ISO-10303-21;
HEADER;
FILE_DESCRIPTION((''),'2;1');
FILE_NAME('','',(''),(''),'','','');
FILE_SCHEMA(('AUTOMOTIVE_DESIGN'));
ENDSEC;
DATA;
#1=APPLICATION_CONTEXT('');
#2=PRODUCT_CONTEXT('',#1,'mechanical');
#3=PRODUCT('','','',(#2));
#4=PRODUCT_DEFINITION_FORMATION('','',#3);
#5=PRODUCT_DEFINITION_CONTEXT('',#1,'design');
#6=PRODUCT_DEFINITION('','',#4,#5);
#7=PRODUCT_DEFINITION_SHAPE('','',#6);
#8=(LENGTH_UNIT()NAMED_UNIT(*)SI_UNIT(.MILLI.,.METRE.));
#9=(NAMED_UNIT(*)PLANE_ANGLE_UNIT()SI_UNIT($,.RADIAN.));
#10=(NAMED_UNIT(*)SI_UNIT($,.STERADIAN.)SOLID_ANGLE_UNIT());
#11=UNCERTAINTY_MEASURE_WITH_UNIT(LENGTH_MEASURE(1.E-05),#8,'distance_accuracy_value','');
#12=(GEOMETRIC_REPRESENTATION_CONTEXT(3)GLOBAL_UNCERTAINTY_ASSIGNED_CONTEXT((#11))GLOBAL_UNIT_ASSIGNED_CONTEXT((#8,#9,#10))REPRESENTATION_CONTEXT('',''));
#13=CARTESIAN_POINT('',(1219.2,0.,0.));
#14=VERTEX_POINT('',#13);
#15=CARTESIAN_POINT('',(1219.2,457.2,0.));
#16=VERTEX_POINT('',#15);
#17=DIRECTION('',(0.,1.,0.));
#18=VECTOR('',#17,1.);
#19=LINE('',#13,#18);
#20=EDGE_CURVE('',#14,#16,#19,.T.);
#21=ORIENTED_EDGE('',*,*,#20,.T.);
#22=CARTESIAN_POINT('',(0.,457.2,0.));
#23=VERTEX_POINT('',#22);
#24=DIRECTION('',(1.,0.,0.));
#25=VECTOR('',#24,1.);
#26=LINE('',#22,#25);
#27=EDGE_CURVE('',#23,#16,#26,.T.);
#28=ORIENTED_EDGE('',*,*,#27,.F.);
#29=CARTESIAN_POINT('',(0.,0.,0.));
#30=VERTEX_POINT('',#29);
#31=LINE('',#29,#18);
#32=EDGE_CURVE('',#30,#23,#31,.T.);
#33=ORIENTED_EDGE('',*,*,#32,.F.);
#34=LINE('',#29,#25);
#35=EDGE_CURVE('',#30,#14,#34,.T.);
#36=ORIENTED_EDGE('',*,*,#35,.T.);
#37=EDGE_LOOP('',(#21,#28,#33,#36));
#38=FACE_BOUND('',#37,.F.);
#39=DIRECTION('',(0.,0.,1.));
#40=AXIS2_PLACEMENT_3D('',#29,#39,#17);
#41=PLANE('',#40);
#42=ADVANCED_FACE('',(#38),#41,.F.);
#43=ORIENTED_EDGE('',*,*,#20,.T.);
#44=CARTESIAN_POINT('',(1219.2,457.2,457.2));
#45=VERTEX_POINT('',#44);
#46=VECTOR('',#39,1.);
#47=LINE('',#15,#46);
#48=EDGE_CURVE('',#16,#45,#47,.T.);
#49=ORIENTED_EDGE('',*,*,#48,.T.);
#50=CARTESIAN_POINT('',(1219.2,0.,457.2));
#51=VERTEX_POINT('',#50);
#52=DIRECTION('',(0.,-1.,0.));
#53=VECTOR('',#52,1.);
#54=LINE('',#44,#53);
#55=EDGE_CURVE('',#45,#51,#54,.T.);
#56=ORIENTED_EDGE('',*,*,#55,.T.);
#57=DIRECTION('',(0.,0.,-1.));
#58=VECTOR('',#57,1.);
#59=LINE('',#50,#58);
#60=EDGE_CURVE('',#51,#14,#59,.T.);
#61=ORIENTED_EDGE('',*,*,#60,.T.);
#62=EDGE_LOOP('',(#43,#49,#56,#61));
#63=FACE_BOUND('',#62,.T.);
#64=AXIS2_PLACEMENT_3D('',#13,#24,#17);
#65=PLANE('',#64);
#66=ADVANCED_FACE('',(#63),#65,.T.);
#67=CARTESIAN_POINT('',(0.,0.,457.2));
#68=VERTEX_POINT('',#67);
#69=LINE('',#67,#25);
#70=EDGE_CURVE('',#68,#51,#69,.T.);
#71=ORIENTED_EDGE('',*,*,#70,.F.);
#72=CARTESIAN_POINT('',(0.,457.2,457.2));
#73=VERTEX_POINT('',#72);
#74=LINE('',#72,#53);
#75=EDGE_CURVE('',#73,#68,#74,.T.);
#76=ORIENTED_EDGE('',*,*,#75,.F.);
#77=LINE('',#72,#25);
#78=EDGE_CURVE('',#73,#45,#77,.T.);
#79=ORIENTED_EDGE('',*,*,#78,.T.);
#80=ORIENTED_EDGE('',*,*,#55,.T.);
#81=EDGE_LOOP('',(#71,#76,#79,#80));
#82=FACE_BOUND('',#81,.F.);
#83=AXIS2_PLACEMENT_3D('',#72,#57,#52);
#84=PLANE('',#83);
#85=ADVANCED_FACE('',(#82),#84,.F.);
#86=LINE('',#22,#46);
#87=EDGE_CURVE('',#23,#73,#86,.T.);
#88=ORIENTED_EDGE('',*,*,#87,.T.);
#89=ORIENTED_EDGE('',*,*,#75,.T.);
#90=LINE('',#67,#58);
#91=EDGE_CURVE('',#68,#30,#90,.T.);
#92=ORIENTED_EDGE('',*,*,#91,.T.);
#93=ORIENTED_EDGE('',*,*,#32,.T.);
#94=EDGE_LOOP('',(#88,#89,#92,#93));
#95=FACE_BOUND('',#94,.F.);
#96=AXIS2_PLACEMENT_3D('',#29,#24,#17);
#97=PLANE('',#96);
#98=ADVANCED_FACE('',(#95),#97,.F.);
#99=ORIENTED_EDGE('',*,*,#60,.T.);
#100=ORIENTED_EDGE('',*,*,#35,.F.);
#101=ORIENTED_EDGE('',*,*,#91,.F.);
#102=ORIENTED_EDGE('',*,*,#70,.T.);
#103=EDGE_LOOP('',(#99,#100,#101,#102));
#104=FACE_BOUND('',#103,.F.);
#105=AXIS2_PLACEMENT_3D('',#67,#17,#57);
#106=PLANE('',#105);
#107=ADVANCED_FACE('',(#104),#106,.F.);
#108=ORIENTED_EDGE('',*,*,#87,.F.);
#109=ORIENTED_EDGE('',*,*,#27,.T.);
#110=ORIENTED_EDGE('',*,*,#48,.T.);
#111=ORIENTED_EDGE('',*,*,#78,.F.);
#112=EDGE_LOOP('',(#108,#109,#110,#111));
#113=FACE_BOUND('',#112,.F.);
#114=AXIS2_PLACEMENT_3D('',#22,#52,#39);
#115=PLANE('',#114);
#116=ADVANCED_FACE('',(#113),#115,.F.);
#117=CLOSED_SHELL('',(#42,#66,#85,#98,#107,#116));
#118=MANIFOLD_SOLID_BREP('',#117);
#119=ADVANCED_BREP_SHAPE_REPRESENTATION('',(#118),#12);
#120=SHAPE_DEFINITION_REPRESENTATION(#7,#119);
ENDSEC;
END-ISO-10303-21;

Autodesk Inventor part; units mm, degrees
ref_plane "YZ Plane" through (0, 0, 0) normal (1, 0, 0) x (0, 1, 0)
ref_plane "XZ Plane" through (0, 0, 0) normal (0, 1, 0) x (-1, 0, 0)
ref_plane "XY Plane" through (0, 0, 0) normal (0, 0, 1) x (1, 0, 0)
sketch "Sketch1" plane through (0, 0, 0) normal (1, 0, 0) x (0, 1, 0)
  line L0 (0, 0) -> (457.2, 0)
  line L1 (457.2, 0) -> (457.2, 457.2)
  line L2 (457.2, 457.2) -> (0, 457.2)
  line L3 (0, 457.2) -> (0, 0)
  dimension "d0" = 457.2
  dimension "d1" = 457.2
extrude "Extrusion1" add sketch "Sketch1" along normal blind 1219.2
properties part number "Bench - 34" material "Granite, Cut, Polished"
